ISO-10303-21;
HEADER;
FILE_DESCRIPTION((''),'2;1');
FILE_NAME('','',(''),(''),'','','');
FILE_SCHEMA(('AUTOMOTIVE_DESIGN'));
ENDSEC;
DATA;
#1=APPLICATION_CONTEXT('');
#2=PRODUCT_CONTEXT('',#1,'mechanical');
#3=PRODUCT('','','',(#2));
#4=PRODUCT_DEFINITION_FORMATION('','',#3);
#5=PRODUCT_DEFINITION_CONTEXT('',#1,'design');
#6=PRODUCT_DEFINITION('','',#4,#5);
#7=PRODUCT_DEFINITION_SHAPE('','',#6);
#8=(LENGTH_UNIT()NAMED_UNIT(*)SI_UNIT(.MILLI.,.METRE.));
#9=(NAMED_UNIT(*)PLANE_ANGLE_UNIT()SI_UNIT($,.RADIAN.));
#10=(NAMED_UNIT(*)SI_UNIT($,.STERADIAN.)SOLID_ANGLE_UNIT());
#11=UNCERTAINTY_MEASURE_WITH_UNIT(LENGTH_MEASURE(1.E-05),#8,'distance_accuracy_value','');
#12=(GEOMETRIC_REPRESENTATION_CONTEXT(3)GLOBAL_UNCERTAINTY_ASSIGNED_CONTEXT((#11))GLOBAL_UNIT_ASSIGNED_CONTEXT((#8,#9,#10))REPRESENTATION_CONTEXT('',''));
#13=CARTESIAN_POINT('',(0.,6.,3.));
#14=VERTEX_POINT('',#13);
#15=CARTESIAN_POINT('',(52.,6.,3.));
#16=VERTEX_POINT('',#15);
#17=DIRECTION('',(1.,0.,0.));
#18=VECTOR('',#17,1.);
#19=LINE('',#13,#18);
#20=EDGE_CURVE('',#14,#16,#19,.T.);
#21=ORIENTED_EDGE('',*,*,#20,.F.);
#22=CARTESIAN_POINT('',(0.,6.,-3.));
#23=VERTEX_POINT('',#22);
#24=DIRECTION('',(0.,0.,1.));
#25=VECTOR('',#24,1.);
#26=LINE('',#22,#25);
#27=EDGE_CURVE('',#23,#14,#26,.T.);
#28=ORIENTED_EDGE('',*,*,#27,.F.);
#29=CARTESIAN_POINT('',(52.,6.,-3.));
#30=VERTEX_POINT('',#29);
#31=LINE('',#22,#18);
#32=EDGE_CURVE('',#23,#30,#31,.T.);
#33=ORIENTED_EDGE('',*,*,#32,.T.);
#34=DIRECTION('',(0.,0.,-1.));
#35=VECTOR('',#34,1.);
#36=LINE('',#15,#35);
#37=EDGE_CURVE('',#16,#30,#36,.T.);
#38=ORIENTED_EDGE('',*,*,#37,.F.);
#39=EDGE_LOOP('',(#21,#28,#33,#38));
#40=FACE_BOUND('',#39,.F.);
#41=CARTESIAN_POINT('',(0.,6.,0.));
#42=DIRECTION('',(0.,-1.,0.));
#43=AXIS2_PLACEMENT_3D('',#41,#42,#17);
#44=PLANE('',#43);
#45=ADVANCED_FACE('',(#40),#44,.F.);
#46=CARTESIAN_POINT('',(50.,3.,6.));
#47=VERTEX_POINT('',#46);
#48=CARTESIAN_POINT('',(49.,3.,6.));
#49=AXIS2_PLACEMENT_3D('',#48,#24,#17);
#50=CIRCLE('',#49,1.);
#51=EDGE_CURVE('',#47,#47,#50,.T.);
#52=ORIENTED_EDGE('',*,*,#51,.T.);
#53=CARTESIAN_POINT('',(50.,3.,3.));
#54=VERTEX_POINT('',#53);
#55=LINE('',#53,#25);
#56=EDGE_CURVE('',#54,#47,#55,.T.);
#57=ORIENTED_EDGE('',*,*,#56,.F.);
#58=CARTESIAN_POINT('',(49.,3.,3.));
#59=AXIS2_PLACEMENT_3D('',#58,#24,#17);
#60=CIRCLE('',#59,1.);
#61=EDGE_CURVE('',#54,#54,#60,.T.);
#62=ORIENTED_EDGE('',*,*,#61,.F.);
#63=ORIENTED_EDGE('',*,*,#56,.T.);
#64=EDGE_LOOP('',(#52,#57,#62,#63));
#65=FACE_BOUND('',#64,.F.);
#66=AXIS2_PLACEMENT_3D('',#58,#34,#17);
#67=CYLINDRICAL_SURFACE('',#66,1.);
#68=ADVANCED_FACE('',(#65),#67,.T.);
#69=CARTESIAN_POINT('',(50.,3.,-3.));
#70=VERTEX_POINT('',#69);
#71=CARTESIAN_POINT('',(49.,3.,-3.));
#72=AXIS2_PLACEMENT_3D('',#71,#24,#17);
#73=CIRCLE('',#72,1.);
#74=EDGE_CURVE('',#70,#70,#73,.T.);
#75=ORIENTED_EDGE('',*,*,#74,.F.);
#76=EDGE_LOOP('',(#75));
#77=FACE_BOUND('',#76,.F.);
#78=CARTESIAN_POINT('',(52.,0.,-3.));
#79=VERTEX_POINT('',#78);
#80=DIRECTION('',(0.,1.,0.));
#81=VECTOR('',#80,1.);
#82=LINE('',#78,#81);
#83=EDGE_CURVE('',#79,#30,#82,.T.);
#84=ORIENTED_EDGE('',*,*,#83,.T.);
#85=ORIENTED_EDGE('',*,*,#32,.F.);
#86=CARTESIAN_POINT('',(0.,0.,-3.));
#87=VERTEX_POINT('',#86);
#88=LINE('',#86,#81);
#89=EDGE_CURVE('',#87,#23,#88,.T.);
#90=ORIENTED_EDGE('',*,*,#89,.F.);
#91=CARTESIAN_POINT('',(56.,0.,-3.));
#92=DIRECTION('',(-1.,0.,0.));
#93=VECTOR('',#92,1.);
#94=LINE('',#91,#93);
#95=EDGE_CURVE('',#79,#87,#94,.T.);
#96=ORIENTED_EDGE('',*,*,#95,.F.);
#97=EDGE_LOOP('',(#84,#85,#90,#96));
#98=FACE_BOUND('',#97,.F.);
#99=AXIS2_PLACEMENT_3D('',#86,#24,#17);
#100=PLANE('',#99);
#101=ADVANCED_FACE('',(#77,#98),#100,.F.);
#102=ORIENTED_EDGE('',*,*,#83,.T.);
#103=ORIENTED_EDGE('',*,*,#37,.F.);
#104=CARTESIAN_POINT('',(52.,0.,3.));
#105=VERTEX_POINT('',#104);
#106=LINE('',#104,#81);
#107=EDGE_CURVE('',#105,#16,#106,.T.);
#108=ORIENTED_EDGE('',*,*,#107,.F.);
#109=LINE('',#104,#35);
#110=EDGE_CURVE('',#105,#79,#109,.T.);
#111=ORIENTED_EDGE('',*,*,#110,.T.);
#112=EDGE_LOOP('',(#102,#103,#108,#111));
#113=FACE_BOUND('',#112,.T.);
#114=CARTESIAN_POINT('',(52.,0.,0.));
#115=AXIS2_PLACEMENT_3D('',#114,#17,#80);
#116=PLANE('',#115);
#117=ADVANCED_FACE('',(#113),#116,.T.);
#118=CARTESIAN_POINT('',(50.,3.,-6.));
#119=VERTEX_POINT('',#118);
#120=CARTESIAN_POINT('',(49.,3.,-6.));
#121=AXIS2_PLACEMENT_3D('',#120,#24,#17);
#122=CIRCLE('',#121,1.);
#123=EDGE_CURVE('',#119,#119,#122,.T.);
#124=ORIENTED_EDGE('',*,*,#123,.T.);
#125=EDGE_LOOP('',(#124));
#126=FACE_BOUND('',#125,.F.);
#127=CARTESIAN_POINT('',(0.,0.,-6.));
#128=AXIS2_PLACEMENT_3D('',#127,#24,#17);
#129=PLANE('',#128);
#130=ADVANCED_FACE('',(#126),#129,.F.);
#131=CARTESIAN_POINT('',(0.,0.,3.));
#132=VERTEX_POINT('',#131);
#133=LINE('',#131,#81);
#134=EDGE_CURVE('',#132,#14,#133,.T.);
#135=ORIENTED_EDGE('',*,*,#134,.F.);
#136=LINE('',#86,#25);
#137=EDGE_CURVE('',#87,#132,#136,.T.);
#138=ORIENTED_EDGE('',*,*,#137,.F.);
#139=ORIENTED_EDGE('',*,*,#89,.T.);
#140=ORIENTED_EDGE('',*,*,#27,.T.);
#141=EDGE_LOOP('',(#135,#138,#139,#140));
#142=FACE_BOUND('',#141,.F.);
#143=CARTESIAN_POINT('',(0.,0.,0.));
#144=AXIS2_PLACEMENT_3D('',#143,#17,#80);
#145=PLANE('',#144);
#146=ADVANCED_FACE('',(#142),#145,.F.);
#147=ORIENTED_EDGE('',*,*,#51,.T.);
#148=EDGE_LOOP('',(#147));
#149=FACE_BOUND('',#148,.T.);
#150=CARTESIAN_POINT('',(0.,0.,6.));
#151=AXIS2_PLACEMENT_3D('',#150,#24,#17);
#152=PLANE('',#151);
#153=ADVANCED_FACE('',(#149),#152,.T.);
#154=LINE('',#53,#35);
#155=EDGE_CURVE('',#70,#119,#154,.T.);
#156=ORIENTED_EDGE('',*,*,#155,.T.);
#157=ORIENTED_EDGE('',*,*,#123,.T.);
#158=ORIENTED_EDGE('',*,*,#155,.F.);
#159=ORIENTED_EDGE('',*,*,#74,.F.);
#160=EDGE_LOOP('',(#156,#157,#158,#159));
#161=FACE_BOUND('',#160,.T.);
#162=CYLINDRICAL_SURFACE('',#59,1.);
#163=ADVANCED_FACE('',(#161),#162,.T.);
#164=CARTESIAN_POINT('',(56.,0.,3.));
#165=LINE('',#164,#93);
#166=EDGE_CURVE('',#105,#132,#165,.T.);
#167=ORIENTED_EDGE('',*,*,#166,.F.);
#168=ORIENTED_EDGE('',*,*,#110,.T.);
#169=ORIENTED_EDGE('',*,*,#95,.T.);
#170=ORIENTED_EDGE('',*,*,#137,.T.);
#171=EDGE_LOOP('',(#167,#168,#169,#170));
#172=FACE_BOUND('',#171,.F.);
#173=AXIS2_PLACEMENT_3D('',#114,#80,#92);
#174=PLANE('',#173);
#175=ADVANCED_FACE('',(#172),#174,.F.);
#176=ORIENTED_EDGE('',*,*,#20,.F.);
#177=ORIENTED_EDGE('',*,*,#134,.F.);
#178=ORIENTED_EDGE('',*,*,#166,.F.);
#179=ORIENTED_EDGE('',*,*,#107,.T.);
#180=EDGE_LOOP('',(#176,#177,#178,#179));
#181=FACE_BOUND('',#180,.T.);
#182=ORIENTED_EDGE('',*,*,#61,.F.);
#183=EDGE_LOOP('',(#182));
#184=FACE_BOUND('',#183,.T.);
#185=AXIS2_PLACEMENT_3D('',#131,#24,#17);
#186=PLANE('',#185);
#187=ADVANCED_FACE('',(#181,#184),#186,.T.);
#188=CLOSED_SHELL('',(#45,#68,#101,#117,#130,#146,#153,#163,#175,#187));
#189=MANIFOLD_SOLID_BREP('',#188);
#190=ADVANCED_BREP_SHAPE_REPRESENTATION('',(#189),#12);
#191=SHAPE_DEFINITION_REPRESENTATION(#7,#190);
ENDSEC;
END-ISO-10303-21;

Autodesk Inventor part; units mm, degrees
ref_plane "YZ Plane" through (0, 0, 0) normal (1, 0, 0) x (0, 1, 0)
ref_plane "XZ Plane" through (0, 0, 0) normal (0, 1, 0) x (-1, 0, 0)
ref_plane "XY Plane" through (0, 0, 0) normal (0, 0, 1) x (1, 0, 0)
sketch "Sketch1" plane through (0, 0, 0) normal (0, 0, 1) x (1, 0, 0)
  line L0 (0, 6) -> (52, 6)
  line L1 (56, 0) -> (0, 0)
  line L2 (52, 0) -> (52, 6)
  circle A0 centre (49, 3) radius 1
  line L3 (0, 0) -> (0, 6)
  dimension "d26" = 2
  dimension "d29" = 52
  dimension "d30" = 3
  dimension "d31" = 3
  dimension "d32" = 6
extrude "Extrusion1" add sketch "Sketch1" along normal mid plane 6 contours L0 L2 L1 L3 | A0
sketch "Sketch6" plane through (0, 0, 3) normal (0, 0, 1) x (1, 0, 0)
  line L0 (0, 6) -> (52, 6)
  line L1 (56, 0) -> (0, 0)
  line L2 (52, 0) -> (52, 6)
  circle A0 centre (49, 3) radius 1
  line L3 (0, 0) -> (0, 6)
  dimension "d34" = 2
  dimension "d35" = 52
  dimension "d36" = 3
  dimension "d37" = 3
  dimension "d38" = 6
extrude "Extrusion4" add sketch "Sketch6" along normal blind 3 and the other way blind 9 contours A0
properties part number "Arm"
